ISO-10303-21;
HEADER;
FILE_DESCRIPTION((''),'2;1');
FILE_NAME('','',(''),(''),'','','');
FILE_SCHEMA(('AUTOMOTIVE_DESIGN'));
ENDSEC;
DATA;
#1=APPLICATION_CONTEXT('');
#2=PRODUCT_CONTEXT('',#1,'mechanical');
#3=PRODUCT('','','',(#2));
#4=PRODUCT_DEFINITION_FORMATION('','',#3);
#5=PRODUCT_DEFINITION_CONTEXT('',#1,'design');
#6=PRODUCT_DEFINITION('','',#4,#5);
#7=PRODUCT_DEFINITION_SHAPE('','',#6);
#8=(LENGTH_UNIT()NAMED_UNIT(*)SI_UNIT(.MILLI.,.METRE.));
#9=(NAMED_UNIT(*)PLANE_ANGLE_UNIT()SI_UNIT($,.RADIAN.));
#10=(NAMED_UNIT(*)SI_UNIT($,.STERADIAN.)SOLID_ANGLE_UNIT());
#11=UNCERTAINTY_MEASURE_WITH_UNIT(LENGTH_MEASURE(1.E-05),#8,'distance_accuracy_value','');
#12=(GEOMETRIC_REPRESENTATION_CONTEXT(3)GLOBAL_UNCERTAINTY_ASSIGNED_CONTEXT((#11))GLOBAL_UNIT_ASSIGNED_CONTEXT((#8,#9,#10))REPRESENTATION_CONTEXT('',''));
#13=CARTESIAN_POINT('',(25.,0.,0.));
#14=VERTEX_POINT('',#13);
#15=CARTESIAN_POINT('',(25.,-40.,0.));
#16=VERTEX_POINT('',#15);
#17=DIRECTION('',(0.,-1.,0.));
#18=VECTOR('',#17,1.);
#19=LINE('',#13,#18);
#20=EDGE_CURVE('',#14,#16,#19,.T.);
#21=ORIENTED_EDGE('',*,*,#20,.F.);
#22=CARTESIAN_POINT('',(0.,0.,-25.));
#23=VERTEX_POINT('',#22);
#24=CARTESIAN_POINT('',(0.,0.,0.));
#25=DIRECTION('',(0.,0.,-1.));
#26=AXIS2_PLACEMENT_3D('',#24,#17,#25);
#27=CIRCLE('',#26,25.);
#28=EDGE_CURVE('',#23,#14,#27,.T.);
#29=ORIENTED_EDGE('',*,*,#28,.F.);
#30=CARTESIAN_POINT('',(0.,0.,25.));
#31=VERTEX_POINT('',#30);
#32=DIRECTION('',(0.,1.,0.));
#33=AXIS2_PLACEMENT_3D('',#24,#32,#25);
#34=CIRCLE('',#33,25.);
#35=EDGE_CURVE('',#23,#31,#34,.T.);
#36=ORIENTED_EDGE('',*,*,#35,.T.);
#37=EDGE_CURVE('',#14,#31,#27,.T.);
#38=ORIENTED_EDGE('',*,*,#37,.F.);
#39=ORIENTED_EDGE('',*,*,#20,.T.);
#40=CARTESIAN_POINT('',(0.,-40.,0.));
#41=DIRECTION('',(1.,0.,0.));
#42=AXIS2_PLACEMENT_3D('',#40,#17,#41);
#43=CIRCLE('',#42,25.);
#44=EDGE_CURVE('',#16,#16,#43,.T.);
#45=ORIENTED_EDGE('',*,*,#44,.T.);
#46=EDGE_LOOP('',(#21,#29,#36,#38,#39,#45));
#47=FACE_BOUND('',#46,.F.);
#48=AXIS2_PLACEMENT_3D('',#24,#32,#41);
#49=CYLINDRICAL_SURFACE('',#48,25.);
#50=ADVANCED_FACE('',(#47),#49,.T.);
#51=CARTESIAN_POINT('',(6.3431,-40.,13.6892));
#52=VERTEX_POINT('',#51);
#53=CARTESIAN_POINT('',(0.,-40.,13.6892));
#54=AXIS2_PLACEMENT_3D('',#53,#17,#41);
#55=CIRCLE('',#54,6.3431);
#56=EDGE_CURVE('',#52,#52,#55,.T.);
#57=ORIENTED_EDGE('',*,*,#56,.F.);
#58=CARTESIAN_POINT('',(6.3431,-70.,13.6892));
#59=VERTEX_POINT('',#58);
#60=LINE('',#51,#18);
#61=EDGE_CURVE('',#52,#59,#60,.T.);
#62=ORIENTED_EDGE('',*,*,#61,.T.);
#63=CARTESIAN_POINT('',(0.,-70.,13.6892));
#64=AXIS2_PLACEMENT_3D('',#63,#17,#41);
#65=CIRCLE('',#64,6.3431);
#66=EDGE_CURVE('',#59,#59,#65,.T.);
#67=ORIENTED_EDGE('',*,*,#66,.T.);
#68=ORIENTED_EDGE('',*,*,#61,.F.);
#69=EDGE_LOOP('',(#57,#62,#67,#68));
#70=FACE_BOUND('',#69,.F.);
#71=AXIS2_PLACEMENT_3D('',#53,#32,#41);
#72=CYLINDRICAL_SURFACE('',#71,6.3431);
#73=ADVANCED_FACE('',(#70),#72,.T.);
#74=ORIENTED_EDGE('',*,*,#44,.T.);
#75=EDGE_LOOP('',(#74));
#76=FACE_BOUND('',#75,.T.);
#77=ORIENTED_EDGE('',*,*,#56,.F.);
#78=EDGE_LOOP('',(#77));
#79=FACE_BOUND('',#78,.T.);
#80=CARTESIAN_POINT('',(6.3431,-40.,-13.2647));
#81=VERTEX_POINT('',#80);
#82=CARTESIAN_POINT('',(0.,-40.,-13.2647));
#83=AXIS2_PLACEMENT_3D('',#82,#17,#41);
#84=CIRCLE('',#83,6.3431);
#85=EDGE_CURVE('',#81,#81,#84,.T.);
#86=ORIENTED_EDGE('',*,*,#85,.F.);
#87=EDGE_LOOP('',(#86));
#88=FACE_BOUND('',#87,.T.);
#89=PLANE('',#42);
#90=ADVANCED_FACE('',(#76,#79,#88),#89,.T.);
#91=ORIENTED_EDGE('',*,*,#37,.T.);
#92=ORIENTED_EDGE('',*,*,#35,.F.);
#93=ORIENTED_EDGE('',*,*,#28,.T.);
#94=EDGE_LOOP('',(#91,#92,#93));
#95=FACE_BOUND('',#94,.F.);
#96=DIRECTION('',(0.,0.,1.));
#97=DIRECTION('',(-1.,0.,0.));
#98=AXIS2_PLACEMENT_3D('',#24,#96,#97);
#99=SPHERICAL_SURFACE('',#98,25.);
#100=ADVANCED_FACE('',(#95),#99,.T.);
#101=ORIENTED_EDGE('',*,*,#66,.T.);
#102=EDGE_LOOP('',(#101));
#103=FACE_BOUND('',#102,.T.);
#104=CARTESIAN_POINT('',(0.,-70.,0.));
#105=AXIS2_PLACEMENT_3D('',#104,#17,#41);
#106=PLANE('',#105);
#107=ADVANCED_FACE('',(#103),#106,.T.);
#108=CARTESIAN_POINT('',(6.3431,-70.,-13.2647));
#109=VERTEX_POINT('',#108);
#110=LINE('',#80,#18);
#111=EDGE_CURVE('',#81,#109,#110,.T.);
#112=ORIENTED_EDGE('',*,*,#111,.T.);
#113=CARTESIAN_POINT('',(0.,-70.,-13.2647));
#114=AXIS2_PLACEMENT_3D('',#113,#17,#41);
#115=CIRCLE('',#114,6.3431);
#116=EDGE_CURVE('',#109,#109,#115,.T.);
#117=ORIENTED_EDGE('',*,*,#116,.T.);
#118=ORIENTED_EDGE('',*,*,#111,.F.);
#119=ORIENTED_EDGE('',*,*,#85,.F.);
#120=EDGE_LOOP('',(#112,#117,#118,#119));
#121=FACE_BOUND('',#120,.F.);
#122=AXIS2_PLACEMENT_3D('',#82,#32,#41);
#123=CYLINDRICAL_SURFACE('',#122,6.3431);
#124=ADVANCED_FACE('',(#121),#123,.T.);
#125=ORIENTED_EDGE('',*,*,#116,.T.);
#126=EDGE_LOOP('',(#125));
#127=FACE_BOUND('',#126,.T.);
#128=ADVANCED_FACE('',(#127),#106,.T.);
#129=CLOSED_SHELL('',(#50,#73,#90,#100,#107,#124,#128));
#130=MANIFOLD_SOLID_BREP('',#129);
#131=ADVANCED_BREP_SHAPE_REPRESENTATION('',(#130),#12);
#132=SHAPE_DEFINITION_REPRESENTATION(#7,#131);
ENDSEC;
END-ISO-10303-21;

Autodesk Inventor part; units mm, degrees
ref_plane "YZ Plane" through (0, 0, 0) normal (1, 0, 0) x (0, 1, 0)
ref_plane "XZ Plane" through (0, 0, 0) normal (0, 1, 0) x (-1, 0, 0)
ref_plane "XY Plane" through (0, 0, 0) normal (0, 0, 1) x (1, 0, 0)
sketch "Sketch1" plane through (0, 0, 0) normal (0, 1, 0) x (-1, 0, 0)
  arc A0 (0, -25) -> (0, 25) centre (0, 0) ccw
  line L0 (0, 25) -> (0, -25)
  dimension "d0" = 50
revolve "Revolution1" add sketch "Sketch1" angle 180 about axis through (0, 0, 25) along (0, 0, -1)
sketch "Sketch2" plane through (0, 0, 0) normal (0, -1, 0) x (1, 0, 0)
  circle A0 centre (0, 0) radius 25
extrude "Extrusion1" add sketch "Sketch2" along normal blind 40
sketch "Sketch3" plane through (0, -40, 0) normal (0, -1, 0) x (1, 0, 0)
  circle A0 centre (0, 13.6892) radius 6.3431
  circle A1 centre (0, -13.2647) radius 6.3431
  point P0 (0, 0)
extrude "Extrusion2" add sketch "Sketch3" along normal blind 30
properties part number "yellow led now"
